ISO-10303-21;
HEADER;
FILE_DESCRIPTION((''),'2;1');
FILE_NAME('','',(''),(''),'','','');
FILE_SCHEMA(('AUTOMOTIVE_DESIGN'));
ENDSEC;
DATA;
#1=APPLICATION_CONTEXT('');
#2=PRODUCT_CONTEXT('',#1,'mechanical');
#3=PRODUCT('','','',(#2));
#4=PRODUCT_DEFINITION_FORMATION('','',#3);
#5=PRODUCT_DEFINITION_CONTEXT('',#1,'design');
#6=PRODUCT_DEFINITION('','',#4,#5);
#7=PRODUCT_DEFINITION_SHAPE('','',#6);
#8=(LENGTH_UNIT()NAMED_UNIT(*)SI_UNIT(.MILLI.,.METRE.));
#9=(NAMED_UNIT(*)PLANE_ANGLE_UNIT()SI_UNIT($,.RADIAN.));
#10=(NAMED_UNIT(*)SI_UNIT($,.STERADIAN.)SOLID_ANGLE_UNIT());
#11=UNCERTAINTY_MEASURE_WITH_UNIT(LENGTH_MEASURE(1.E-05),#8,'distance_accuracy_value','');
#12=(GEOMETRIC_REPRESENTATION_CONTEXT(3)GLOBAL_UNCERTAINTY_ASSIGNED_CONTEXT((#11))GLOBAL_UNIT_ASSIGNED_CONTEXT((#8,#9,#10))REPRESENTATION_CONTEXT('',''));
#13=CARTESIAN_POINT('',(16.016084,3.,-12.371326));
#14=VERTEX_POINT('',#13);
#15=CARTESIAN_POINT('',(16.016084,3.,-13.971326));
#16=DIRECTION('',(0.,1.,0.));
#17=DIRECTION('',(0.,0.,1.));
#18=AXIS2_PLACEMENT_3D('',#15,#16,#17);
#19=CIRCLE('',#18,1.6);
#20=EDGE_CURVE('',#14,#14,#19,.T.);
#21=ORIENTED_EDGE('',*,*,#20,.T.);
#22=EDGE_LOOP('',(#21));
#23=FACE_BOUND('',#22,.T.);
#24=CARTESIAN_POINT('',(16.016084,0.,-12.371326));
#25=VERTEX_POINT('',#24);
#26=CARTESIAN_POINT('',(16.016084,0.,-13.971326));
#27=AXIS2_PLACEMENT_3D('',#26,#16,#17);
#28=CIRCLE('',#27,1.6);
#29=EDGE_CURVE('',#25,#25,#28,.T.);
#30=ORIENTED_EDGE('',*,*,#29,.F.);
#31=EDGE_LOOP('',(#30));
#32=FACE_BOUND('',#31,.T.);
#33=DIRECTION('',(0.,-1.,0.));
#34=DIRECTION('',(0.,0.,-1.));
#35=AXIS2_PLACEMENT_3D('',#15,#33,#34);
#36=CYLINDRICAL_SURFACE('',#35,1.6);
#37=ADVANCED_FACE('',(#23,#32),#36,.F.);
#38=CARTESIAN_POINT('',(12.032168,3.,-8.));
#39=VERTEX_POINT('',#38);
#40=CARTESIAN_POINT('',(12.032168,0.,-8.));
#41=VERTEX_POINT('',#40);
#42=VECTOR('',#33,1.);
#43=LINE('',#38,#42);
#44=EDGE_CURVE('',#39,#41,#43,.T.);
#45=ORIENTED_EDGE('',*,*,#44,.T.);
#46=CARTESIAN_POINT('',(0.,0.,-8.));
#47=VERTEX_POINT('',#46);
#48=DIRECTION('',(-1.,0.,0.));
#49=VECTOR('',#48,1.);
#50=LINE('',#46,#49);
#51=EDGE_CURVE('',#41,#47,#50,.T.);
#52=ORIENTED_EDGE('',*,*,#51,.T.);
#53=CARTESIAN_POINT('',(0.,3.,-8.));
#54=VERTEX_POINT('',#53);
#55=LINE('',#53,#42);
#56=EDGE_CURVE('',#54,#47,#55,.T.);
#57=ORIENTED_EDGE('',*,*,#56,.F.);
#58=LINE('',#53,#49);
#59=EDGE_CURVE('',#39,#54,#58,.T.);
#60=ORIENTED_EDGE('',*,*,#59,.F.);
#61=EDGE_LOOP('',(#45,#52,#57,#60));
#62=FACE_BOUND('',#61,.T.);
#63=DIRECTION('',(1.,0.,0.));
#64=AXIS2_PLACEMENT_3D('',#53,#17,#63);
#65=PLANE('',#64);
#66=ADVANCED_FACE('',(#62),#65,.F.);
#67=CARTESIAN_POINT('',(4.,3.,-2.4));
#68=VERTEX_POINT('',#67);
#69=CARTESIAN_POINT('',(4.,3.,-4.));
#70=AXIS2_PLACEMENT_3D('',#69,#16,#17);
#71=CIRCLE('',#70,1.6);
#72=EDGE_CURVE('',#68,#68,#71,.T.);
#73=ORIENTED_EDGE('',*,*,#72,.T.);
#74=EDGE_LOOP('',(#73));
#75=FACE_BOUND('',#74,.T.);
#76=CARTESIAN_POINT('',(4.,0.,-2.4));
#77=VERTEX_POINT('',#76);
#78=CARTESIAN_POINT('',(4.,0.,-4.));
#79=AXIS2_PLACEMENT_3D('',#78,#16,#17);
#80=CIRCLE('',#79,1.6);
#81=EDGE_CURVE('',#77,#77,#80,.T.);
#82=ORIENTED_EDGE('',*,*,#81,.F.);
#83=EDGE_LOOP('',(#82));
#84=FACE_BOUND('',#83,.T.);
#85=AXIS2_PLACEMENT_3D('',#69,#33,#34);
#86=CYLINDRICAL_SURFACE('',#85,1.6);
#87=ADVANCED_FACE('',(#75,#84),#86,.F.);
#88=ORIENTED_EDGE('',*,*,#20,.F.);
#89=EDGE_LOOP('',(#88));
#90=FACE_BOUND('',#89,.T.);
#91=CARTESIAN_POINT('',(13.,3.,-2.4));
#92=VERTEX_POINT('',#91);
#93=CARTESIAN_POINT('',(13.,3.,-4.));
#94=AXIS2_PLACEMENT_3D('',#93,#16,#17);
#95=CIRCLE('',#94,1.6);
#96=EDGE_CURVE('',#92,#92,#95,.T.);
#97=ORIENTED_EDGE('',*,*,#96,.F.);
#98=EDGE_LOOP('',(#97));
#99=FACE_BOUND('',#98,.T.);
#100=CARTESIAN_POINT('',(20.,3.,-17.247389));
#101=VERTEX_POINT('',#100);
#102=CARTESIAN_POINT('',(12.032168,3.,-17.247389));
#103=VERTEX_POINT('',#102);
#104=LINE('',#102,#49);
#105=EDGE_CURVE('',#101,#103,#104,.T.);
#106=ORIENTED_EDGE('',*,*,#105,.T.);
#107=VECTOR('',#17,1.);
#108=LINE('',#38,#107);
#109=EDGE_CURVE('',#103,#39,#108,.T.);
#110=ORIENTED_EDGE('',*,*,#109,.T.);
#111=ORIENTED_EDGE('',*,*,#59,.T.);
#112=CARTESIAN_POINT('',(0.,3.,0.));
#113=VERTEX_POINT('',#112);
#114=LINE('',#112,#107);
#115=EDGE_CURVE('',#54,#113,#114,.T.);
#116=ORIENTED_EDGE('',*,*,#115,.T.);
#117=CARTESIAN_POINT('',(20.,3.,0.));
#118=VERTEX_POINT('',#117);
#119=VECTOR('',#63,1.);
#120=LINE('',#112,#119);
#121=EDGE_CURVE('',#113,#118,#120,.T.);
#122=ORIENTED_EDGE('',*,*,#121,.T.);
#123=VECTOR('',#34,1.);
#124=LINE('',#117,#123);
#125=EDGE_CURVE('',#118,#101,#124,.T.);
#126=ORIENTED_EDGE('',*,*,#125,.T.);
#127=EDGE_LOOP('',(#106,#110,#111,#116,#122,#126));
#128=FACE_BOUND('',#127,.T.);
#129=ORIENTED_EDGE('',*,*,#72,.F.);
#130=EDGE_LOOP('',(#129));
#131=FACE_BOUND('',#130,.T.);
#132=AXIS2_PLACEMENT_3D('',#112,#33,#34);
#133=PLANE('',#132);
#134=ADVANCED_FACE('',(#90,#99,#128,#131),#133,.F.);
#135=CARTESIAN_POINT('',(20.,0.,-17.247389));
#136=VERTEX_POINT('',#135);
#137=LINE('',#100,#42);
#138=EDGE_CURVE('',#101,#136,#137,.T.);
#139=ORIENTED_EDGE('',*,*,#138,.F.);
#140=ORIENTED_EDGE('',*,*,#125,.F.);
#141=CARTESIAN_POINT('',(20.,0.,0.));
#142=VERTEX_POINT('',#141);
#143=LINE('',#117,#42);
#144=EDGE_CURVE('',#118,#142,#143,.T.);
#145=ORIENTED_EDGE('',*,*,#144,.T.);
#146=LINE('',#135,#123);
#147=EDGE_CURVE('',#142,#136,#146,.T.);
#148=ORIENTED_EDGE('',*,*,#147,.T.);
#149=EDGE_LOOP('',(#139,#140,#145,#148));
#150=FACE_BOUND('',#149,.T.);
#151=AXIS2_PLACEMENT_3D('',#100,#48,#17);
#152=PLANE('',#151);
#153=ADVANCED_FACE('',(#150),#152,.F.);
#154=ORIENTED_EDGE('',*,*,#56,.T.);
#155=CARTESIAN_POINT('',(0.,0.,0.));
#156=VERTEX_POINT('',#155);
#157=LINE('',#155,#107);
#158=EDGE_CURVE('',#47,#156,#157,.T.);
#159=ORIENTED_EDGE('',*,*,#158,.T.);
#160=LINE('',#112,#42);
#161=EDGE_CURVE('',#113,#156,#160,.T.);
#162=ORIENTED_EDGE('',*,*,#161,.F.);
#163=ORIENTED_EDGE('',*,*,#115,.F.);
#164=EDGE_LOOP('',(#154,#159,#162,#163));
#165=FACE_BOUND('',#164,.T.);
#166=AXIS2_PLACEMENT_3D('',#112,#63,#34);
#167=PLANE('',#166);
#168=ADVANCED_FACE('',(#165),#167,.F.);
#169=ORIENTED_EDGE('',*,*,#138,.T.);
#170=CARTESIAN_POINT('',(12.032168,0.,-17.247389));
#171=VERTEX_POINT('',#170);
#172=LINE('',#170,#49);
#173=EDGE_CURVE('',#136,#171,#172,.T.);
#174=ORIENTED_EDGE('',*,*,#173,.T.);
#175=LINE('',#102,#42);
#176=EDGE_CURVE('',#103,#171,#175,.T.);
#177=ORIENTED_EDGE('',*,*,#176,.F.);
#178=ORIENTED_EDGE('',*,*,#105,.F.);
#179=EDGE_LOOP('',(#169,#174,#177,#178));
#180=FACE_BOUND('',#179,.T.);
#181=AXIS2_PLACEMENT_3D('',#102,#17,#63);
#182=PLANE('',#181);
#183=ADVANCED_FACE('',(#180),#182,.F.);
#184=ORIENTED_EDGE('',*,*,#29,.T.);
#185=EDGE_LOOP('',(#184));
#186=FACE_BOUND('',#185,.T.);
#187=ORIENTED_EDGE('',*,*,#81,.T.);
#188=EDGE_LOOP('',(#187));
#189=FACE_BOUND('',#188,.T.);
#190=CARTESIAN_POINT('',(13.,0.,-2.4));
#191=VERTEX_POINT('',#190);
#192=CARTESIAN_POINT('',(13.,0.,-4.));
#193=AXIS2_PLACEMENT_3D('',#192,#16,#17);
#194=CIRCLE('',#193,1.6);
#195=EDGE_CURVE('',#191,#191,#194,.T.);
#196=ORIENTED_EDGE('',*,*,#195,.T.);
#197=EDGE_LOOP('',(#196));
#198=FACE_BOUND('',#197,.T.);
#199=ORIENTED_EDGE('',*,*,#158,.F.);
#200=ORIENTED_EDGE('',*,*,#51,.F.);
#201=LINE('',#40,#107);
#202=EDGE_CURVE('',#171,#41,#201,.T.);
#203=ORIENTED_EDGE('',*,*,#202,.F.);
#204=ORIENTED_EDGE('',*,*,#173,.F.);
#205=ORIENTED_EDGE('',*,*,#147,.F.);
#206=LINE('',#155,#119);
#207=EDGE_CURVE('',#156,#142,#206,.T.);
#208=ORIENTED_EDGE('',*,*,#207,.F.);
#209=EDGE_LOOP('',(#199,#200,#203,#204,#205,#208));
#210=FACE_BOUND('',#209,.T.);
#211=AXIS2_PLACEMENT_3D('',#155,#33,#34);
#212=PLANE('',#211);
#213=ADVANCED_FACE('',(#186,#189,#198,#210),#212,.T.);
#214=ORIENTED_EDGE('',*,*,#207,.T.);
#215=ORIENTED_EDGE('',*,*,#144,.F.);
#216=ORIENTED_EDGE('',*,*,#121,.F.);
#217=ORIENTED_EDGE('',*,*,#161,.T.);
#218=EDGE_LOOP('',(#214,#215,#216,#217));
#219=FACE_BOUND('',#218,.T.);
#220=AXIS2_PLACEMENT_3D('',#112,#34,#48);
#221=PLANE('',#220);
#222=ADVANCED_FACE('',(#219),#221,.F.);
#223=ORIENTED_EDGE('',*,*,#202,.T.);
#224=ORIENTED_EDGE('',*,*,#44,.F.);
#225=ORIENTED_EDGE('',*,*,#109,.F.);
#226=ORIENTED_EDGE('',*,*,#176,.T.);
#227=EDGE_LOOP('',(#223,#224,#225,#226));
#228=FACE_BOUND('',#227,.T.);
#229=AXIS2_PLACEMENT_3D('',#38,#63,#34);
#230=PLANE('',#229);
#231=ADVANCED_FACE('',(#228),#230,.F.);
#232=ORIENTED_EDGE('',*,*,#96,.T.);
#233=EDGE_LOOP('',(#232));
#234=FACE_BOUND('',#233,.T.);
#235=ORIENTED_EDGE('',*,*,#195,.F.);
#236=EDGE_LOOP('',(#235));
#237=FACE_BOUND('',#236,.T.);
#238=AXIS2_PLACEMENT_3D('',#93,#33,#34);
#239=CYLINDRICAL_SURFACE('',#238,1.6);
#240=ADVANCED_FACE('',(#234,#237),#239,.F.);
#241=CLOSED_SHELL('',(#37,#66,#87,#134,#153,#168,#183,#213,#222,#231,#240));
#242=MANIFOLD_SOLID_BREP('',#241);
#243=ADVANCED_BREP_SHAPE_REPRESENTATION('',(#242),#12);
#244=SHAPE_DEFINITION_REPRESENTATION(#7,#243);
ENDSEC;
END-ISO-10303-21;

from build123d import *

# Parameters (mm, degrees)
SKETCH_1_R      = 1.6
EXTRUDE_1_DEPTH = 3


with BuildPart() as part:
    # 草图1 → 凸台-拉伸1 (new body)
    with BuildSketch(Plane(origin=(0, 0, 0), x_dir=(1, 0, 0), z_dir=(0, 1, 0))):
        Polygon((0, 0), (20, 0), (20, 8), (20, 17.247388719), (12.032168205, 17.247388719), (12.032168205, 8), (0, 8), align=None)
        with Locations(Location((4, 4, 0), (0, 0, 270))):
            Circle(SKETCH_1_R, mode=Mode.SUBTRACT)
        with Locations(Location((13, 4, 0), (0, 0, 270))):
            Circle(SKETCH_1_R, mode=Mode.SUBTRACT)
        with Locations(Location((16.016084103, 13.971325548, 0), (0, 0, 270))):
            Circle(SKETCH_1_R, mode=Mode.SUBTRACT)
    extrude(amount=EXTRUDE_1_DEPTH)


solid = part.part
